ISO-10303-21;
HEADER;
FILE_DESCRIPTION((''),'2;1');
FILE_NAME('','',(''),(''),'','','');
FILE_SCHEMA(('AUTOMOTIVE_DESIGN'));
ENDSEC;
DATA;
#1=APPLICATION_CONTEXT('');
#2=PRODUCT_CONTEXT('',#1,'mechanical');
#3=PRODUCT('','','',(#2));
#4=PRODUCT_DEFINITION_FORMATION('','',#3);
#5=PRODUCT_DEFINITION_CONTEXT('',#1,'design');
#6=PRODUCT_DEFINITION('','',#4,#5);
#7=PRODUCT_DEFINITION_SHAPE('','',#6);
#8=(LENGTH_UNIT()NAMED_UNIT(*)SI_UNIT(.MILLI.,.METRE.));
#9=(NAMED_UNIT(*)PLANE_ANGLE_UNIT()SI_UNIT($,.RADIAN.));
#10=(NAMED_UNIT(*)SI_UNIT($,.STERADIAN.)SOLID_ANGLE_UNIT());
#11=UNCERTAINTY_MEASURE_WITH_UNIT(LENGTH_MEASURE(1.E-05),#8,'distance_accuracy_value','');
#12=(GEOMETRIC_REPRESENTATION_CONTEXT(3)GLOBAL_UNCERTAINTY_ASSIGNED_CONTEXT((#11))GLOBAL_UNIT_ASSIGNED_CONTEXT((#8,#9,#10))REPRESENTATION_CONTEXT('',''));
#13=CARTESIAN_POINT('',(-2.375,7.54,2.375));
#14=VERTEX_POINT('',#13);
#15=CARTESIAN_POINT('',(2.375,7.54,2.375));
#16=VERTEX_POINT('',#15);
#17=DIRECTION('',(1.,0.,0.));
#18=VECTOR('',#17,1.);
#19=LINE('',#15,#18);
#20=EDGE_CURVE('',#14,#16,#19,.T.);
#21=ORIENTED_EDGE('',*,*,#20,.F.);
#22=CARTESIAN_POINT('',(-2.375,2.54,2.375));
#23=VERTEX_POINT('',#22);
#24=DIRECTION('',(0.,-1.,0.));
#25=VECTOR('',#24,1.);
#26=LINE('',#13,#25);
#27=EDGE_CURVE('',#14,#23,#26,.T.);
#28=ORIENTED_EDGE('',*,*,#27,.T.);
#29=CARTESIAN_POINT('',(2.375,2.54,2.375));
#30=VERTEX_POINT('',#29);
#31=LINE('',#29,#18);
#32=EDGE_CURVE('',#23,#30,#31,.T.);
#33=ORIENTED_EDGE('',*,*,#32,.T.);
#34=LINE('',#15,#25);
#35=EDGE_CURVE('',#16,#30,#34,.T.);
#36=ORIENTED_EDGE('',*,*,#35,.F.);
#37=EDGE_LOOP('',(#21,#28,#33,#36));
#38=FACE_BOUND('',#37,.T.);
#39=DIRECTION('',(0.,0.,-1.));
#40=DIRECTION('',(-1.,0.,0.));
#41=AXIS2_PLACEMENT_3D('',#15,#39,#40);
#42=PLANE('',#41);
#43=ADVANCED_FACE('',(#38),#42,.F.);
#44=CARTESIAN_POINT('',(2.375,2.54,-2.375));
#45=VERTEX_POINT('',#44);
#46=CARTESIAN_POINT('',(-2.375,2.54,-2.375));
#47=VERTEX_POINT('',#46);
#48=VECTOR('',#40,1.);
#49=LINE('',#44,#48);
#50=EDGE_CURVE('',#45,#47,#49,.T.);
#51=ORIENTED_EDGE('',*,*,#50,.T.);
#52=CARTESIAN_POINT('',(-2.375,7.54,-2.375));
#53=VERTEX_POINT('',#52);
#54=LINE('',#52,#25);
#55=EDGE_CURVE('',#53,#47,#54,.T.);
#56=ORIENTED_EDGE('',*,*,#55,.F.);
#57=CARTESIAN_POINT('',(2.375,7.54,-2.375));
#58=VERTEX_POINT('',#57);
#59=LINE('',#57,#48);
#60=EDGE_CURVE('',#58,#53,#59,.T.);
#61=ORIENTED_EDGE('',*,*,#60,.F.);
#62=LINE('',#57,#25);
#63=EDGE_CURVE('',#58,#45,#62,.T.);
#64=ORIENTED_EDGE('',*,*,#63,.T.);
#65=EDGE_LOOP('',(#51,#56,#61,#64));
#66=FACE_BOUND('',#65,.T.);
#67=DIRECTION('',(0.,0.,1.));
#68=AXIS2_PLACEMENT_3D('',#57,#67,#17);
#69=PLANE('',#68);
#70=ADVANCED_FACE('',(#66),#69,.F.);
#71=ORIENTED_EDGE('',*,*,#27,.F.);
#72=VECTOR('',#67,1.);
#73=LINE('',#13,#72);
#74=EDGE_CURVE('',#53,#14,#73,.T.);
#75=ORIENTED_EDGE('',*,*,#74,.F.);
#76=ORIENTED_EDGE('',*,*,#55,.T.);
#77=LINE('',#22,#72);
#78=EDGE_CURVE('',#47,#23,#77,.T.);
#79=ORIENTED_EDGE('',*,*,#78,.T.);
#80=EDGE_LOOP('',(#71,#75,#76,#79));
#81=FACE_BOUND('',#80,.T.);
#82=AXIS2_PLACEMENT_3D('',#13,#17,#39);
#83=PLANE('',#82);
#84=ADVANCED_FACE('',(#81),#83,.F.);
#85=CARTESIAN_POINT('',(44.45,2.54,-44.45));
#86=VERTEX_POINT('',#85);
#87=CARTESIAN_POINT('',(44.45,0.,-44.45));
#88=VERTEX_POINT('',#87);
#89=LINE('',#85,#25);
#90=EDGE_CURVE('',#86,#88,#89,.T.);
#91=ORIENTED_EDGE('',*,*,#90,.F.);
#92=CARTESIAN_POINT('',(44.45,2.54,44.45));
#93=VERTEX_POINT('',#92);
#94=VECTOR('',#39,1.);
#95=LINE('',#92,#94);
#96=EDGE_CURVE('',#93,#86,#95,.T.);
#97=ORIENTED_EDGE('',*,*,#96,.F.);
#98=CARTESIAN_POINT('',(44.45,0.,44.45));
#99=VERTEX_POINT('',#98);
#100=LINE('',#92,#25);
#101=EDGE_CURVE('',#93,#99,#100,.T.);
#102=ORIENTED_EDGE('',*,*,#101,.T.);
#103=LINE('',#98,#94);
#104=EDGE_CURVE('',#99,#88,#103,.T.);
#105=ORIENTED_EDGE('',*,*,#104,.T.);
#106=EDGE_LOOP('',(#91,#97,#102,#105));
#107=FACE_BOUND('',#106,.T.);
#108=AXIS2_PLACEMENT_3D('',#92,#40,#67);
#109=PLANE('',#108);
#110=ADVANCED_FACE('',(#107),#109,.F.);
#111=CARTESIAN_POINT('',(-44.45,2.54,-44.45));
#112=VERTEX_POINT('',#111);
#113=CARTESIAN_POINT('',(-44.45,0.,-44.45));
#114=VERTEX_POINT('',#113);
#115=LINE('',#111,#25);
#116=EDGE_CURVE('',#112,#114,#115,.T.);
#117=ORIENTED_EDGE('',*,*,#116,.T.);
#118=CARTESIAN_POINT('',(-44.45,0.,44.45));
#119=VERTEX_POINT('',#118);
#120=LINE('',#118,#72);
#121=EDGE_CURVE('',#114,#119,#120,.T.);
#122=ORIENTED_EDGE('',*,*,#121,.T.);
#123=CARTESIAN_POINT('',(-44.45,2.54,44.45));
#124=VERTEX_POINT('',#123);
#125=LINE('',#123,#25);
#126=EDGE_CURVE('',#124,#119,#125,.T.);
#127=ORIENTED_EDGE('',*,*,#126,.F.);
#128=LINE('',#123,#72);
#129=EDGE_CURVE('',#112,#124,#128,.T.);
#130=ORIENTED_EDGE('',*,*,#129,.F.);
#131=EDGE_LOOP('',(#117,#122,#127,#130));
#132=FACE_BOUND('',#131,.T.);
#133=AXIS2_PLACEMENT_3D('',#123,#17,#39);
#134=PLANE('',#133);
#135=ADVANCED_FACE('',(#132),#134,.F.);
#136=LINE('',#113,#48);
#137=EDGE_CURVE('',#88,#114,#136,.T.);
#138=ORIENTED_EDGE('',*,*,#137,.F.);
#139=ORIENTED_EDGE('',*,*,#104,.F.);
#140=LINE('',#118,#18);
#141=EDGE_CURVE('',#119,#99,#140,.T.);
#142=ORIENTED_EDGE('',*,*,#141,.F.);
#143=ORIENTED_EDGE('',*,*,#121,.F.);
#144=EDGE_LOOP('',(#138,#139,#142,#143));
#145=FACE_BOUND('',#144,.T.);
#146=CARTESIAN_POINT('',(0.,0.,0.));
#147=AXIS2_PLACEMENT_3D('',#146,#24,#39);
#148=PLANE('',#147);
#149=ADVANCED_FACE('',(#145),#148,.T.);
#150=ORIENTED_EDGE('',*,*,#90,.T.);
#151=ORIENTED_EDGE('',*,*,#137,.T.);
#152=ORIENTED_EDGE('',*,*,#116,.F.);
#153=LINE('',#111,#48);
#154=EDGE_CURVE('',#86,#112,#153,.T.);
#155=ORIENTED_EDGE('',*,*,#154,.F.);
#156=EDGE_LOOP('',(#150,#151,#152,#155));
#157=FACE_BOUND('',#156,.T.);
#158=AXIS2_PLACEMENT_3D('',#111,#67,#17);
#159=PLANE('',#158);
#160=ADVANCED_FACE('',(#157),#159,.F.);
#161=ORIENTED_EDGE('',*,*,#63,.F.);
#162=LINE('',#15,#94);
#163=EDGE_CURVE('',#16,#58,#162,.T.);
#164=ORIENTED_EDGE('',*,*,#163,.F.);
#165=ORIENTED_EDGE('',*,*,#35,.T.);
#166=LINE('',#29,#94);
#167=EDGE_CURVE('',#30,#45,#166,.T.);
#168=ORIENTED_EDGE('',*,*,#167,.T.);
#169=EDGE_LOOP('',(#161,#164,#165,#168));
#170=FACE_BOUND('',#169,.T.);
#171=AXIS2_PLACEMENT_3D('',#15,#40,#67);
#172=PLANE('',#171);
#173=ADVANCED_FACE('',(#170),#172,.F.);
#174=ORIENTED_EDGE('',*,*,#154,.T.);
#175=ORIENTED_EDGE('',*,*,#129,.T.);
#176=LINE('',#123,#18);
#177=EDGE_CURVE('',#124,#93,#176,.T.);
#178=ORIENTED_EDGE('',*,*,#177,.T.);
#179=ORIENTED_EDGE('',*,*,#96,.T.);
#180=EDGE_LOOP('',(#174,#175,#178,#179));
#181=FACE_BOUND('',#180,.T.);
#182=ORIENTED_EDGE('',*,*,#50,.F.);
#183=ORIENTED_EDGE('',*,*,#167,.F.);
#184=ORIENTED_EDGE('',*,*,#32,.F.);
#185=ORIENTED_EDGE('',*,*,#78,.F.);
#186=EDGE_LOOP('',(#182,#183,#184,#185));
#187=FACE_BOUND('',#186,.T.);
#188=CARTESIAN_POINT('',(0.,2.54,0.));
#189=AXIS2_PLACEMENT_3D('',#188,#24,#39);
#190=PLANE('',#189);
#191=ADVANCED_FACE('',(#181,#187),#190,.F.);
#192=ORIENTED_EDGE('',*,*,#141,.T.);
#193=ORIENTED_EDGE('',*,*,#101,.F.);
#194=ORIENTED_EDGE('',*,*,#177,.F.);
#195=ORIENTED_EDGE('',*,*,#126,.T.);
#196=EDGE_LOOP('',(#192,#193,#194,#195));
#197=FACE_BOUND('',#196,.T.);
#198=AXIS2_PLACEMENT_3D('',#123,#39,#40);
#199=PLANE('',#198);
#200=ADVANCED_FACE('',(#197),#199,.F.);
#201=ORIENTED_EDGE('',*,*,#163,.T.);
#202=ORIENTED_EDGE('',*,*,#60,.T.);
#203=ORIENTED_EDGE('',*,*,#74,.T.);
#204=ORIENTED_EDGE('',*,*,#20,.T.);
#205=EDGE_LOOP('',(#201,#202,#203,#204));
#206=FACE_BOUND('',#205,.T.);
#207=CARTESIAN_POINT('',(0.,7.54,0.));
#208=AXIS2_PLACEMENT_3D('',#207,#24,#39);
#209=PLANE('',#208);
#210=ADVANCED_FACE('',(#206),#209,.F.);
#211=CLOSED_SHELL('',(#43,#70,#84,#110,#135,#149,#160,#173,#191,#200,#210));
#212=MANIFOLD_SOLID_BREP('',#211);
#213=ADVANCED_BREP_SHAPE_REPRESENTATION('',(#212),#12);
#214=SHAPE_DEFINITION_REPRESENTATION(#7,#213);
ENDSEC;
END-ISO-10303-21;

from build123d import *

# Parameters (mm, degrees)
SKETCH1_W           = 88.9
SKETCH1_H           = 88.9
BOSS_EXTRUDE1_DEPTH = 2.54
SKETCH2_W           = 4.75
SKETCH2_H           = 4.75
BOSS_EXTRUDE2_DEPTH = 5


with BuildPart() as part:
    # Sketch1 → Boss-Extrude1 (new body)
    with BuildSketch(Plane(origin=(0, 0, 0), x_dir=(1, 0, 0), z_dir=(0, 1, 0))):
        Rectangle(SKETCH1_W, SKETCH1_H)
    extrude(amount=BOSS_EXTRUDE1_DEPTH)

    # Sketch2 → Boss-Extrude2 (add)
    with BuildSketch(Plane(origin=(0, 2.54, 0), x_dir=(1, 0, 0), z_dir=(0, 1, 0))):
        Rectangle(SKETCH2_W, SKETCH2_H)
    extrude(amount=BOSS_EXTRUDE2_DEPTH)


solid = part.part
